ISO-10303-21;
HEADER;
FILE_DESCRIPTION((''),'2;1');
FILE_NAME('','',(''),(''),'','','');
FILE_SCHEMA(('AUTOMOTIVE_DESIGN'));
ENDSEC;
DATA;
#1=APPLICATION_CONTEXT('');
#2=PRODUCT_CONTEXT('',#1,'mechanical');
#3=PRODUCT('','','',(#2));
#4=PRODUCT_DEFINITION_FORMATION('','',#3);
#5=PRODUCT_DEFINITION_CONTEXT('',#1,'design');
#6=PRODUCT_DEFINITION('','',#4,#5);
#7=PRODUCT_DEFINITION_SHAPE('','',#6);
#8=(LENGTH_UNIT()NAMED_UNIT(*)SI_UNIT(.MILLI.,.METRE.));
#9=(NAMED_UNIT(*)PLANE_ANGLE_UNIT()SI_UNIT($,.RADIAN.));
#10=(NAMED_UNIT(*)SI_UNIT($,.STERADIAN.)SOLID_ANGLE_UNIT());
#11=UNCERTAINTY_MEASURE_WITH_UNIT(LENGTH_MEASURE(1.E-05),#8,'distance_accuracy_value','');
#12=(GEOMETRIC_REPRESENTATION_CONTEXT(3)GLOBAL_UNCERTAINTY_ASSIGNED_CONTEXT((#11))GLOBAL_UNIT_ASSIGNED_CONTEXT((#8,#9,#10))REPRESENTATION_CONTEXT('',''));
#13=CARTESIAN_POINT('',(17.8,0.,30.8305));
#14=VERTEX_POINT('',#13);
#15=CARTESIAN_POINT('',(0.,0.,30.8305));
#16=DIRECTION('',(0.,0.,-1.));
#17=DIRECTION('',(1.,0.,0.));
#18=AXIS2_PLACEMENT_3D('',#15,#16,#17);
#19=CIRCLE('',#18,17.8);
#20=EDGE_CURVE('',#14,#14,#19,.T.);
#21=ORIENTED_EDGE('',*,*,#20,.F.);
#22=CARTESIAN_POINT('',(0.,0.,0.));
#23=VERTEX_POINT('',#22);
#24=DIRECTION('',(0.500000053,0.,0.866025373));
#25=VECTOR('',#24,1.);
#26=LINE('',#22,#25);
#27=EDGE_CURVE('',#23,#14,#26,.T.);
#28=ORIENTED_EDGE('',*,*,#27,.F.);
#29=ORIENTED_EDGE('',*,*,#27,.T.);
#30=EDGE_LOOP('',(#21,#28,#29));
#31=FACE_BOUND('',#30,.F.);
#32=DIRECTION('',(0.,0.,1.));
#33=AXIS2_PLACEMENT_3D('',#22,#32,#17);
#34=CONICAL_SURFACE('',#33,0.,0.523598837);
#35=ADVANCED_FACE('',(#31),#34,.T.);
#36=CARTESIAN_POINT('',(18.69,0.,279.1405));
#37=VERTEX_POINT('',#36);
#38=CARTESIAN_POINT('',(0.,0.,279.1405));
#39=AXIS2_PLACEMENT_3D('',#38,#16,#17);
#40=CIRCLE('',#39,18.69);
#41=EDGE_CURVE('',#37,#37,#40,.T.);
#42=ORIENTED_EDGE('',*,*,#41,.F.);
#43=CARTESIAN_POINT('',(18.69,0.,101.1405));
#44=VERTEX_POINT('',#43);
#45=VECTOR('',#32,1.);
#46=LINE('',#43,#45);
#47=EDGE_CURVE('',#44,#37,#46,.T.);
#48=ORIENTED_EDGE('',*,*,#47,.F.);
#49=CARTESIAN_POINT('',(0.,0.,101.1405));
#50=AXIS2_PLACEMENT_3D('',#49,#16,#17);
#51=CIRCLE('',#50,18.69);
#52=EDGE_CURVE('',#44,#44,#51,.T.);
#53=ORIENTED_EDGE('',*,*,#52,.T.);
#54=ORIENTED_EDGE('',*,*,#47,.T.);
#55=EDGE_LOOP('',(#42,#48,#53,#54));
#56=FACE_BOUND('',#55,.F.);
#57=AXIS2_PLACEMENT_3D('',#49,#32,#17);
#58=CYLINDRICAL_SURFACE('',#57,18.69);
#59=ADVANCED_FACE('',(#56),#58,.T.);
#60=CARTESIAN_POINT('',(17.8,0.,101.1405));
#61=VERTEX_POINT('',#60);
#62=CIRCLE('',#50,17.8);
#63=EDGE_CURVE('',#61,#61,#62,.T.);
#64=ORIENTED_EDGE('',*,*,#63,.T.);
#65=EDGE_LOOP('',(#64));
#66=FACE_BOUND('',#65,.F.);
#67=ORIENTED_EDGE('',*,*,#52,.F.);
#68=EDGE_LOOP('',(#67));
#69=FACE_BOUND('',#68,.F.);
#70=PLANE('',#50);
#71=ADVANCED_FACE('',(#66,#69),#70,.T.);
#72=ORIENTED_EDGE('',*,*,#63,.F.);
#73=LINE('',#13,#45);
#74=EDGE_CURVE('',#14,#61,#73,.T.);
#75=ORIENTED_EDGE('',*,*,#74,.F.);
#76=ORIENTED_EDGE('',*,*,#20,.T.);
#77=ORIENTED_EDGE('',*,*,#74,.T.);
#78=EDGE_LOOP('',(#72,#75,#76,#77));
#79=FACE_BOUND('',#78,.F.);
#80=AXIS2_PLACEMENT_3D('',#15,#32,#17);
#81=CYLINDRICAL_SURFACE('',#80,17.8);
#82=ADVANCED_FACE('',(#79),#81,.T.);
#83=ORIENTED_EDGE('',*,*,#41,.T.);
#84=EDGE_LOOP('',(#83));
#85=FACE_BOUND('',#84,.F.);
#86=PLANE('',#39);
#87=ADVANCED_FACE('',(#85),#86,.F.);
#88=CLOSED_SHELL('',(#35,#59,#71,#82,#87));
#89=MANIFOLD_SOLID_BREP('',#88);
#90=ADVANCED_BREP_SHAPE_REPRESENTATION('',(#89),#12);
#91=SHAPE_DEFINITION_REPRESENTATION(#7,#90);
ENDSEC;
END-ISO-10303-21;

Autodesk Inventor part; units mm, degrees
ref_plane "YZ Plane" through (0, 0, 0) normal (1, 0, 0) x (0, 1, 0)
ref_plane "XZ Plane" through (0, 0, 0) normal (0, 1, 0) x (-1, 0, 0)
ref_plane "XY Plane" through (0, 0, 0) normal (0, 0, 1) x (1, 0, 0)
sketch "Skizze1" plane through (0, 0, 0) normal (0, 1, 0) x (-1, 0, 0)
  line L0 (0, 0) -> (-17.8, 0) construction
  line L1 (0, 0) -> (-17.8, 30.8305)
  line L2 (0, 0) -> (35.6, 0) construction
  line L3 (-17.8, 30.8305) -> (-17.8, 101.1405)
  line L4 (-17.8, 101.1405) -> (-18.69, 101.1405)
  line L5 (0, 279.1405) -> (0, 0)
  line L6 (-18.69, 101.1405) -> (-18.69, 279.1405)
  line L7 (-18.69, 279.1405) -> (0, 279.1405)
  dimension "d0" = 17.8
  dimension "d1" = 120
  dimension "d4" = 0.89
  dimension "d6" = 178
revolve "Umdrehung1" add sketch "Skizze1" angle 360 about axis through (0, 0, 279.1405) along (0, 0, -1)
properties part number "cone356"
